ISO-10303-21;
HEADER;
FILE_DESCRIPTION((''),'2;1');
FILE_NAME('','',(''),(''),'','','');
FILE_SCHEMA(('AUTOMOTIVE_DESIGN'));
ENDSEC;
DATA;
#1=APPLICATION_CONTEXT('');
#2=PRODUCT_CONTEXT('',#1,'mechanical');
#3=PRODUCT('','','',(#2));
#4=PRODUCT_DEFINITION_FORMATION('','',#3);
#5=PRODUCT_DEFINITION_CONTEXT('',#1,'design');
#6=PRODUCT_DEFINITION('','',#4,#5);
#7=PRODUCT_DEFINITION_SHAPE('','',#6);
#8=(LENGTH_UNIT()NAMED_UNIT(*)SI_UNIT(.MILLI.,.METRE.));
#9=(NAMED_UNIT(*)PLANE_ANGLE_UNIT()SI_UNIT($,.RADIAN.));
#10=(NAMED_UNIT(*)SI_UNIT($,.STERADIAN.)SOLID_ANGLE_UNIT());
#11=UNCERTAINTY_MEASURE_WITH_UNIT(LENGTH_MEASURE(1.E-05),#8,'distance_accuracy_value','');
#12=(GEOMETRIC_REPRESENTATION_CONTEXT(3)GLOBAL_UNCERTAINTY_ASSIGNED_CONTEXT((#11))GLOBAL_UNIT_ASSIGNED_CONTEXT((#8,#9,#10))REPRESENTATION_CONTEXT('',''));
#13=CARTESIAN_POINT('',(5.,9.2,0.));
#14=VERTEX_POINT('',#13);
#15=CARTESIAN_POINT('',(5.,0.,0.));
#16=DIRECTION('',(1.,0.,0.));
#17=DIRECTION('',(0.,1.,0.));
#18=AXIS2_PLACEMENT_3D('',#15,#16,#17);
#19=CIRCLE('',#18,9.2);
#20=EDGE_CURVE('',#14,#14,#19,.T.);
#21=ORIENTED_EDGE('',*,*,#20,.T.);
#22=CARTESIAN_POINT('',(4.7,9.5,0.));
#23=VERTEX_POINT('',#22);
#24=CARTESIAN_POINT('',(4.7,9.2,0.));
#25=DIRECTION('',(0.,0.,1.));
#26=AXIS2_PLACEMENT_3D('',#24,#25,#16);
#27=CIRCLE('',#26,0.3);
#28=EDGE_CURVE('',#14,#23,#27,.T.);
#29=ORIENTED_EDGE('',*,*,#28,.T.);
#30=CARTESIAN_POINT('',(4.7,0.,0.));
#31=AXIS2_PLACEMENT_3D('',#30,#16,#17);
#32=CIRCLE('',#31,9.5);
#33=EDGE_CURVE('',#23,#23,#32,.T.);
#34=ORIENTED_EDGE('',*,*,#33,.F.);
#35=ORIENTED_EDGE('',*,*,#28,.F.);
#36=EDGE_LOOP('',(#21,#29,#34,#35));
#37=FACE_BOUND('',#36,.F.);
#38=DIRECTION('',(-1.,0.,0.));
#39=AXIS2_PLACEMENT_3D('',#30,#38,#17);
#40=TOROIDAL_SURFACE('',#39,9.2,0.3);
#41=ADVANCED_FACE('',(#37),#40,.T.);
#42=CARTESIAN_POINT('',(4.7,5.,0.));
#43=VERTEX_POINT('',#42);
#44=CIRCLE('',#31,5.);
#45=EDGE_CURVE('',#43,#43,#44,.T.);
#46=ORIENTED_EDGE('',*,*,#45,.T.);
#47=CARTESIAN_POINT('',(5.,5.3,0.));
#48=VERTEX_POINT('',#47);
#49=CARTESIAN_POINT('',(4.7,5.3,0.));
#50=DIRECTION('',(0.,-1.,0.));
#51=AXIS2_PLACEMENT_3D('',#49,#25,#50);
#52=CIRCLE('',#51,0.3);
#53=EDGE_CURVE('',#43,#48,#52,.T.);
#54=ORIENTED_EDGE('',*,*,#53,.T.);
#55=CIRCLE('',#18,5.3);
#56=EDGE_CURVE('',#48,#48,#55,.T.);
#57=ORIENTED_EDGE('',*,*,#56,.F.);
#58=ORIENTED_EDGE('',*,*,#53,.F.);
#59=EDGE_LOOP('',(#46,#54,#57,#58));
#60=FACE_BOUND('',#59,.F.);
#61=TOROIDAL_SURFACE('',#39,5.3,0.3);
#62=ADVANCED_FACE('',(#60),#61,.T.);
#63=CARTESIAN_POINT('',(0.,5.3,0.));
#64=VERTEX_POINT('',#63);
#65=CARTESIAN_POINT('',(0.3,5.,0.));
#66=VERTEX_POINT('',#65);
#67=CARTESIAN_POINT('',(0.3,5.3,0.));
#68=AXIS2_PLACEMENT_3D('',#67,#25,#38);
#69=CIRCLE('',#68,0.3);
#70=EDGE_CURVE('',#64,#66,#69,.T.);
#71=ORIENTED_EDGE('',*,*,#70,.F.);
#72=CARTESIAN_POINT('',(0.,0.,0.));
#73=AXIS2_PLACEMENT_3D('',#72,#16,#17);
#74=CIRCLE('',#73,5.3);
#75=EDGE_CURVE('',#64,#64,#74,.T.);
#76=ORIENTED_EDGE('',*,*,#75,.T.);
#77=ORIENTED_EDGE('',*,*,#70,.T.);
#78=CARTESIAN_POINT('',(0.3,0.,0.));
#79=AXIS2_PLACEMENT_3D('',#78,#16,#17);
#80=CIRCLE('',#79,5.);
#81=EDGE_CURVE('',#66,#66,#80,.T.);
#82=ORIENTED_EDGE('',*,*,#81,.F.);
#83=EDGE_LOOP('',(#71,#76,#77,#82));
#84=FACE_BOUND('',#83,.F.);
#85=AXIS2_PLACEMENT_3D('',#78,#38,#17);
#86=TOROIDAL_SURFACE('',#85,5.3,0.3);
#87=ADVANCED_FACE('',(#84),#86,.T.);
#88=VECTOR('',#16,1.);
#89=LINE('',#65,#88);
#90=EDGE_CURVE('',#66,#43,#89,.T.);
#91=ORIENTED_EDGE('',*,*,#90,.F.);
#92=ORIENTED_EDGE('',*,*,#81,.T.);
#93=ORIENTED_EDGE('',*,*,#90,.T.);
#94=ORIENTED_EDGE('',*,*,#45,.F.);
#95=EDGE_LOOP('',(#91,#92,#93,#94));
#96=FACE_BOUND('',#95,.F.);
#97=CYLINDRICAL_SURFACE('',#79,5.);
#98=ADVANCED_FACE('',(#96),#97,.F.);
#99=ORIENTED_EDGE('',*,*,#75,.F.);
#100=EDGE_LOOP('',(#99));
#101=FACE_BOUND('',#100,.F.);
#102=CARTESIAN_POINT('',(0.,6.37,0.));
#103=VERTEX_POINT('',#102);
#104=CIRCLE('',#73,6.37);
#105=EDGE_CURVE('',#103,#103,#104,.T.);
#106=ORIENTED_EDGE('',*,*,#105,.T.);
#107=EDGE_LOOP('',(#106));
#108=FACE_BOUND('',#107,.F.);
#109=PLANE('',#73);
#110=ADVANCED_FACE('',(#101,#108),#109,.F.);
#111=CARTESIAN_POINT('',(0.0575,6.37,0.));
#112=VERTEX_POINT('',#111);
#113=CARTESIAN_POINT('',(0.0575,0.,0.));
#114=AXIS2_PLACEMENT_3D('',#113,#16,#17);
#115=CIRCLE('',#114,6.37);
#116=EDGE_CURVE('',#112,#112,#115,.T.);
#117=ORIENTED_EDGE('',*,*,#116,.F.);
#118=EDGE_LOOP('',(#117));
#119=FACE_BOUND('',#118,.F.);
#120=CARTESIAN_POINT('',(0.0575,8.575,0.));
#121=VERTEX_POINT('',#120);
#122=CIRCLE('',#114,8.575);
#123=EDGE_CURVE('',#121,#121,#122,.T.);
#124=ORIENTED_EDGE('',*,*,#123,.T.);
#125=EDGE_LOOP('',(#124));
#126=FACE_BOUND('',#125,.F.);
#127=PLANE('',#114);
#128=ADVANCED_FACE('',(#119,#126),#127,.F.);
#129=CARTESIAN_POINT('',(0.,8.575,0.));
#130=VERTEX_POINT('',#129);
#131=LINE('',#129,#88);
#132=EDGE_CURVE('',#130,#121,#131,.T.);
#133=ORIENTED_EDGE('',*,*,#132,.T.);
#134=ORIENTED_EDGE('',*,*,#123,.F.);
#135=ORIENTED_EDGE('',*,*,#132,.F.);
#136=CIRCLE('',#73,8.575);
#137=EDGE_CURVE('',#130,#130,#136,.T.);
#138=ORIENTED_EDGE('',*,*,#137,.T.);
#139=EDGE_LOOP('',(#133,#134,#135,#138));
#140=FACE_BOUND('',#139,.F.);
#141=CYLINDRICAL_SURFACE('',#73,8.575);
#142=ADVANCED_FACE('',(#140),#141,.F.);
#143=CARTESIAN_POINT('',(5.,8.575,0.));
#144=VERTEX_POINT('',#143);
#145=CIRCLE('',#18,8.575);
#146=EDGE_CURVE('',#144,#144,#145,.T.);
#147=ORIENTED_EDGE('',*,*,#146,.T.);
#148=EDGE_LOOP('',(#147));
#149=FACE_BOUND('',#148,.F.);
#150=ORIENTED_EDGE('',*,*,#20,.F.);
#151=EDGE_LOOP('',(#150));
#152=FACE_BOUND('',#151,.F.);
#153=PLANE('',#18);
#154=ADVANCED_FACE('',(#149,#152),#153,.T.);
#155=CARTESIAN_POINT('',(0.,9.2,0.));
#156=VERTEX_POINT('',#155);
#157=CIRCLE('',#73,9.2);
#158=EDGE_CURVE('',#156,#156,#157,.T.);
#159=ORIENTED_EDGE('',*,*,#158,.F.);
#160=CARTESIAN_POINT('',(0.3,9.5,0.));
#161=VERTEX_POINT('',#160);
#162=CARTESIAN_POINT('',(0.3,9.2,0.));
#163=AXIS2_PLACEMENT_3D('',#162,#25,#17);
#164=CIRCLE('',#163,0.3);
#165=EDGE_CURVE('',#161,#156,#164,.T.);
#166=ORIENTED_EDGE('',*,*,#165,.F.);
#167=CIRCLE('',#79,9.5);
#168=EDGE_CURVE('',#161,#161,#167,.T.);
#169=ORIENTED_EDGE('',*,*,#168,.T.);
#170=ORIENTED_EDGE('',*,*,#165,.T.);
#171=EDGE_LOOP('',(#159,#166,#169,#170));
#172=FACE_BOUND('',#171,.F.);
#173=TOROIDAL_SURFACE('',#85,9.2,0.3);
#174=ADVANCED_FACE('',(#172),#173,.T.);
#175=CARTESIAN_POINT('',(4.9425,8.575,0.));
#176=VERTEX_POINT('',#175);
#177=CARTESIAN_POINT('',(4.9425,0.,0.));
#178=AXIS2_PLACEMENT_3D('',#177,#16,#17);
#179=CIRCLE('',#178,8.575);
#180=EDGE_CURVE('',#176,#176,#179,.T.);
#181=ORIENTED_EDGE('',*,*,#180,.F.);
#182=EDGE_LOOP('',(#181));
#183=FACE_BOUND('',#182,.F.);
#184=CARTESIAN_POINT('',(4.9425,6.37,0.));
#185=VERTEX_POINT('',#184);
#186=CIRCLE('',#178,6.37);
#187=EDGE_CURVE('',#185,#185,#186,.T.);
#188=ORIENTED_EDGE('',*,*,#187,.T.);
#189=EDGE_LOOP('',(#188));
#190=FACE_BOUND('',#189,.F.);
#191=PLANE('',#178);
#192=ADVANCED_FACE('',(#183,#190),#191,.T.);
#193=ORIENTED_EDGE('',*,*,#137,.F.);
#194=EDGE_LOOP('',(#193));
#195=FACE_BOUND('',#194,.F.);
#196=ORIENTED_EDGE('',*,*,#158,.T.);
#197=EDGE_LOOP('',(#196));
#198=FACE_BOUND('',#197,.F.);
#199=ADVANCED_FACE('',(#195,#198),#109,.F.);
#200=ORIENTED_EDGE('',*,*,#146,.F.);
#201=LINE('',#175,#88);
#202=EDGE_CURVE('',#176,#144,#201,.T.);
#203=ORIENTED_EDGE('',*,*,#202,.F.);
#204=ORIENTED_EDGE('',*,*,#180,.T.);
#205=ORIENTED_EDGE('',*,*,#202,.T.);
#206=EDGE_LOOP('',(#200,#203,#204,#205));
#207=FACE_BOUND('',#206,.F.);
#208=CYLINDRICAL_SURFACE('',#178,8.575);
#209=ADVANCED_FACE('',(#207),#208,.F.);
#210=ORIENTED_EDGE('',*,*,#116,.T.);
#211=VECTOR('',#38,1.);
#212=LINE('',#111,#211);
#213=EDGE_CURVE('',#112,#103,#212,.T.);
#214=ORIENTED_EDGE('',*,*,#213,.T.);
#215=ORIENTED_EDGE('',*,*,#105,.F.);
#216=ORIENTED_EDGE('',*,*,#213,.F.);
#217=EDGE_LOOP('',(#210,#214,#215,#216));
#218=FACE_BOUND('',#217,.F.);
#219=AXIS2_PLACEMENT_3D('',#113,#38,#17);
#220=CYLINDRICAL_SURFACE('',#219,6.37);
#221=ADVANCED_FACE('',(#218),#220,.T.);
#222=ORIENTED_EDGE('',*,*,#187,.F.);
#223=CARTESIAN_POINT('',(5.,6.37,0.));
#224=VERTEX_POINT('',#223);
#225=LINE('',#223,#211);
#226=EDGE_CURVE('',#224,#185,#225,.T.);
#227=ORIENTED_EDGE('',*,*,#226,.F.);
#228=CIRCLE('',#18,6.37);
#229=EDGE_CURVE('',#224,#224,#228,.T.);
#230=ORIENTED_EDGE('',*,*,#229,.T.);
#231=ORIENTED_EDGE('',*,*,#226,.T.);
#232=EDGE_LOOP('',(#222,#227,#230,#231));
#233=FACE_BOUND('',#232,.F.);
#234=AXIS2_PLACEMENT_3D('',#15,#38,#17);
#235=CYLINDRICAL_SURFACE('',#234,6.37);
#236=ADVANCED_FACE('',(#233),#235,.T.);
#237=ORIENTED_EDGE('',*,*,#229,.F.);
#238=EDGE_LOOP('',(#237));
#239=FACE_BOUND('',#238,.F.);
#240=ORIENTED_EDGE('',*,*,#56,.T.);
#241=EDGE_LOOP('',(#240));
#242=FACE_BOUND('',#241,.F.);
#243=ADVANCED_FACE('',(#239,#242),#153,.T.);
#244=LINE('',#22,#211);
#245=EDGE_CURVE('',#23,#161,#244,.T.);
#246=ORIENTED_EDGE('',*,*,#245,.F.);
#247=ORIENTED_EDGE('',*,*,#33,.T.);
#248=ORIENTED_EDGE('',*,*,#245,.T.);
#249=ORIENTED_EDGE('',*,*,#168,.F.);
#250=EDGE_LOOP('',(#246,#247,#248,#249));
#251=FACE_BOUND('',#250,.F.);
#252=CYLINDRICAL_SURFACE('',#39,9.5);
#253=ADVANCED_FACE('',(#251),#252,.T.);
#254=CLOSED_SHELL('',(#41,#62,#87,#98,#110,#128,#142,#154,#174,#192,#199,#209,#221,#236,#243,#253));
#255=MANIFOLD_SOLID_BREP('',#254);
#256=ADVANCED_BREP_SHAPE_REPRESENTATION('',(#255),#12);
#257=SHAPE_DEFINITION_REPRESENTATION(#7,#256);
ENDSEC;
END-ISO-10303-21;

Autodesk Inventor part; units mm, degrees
sketch "Sketch_1" plane through (0, 0, 0) normal (0, 0, 1) x (1, 0, 0)
  line L0 (5, 0) -> (0, 0)
  arc A0 (0, 5.3) -> (0.3, 5) centre (0.3, 5.3) ccw
  line L1 (0.3, 5) -> (4.7, 5)
  arc A1 (4.7, 5) -> (5, 5.3) centre (4.7, 5.3) ccw
  line L2 (5, 5.3) -> (5, 6.37)
  line L3 (5, 6.37) -> (4.9425, 6.37)
  line L4 (4.9425, 6.37) -> (4.9425, 8.575)
  line L5 (4.9425, 8.575) -> (5, 8.575)
  line L6 (5, 8.575) -> (5, 9.2)
  arc A2 (5, 9.2) -> (4.7, 9.5) centre (4.7, 9.2) ccw
  line L7 (4.7, 9.5) -> (0.3, 9.5)
  arc A3 (0.3, 9.5) -> (0, 9.2) centre (0.3, 9.2) ccw
  line L8 (0, 9.2) -> (0, 8.575)
  line L9 (0, 8.575) -> (0.0575, 8.575)
  line L10 (0.0575, 8.575) -> (0.0575, 6.37)
  line L11 (0.0575, 6.37) -> (0, 6.37)
  line L12 (0, 6.37) -> (0, 5.3)
revolve "Revolution1" add sketch "Sketch_1" angle 360 about axis through (5, 0, 0) along (1, 0, 0)
ref_plane "center_point_XY" through (2.5, 0, 0) normal (1, 0, 0) x (0, 0, -1)
ref_plane "center_point_YZ" through (2.5, 0, 0) normal (0, 0, -1) x (0, 1, 0)
ref_plane "center_point_ZX" through (2.5, 0, 0) normal (0, 1, 0) x (1, 0, 0)
ref_plane "to_housing_XY" through (0, 0, 0) normal (1, 0, 0) x (0, 0, -1)
ref_plane "to_housing_YZ" through (0, 0, 0) normal (0, 0, -1) x (0, 1, 0)
ref_plane "to_housing_ZX" through (0, 0, 0) normal (0, 1, 0) x (1, 0, 0)
ref_plane "to_ring_XY" through (4.885, 0, 0) normal (1, 0, 0) x (0, 0, -1)
ref_plane "to_ring_YZ" through (4.885, 0, 0) normal (0, 0, -1) x (0, 1, 0)
ref_plane "to_ring_ZX" through (4.885, 0, 0) normal (0, 1, 0) x (1, 0, 0)
properties part number "bearing_6800"
